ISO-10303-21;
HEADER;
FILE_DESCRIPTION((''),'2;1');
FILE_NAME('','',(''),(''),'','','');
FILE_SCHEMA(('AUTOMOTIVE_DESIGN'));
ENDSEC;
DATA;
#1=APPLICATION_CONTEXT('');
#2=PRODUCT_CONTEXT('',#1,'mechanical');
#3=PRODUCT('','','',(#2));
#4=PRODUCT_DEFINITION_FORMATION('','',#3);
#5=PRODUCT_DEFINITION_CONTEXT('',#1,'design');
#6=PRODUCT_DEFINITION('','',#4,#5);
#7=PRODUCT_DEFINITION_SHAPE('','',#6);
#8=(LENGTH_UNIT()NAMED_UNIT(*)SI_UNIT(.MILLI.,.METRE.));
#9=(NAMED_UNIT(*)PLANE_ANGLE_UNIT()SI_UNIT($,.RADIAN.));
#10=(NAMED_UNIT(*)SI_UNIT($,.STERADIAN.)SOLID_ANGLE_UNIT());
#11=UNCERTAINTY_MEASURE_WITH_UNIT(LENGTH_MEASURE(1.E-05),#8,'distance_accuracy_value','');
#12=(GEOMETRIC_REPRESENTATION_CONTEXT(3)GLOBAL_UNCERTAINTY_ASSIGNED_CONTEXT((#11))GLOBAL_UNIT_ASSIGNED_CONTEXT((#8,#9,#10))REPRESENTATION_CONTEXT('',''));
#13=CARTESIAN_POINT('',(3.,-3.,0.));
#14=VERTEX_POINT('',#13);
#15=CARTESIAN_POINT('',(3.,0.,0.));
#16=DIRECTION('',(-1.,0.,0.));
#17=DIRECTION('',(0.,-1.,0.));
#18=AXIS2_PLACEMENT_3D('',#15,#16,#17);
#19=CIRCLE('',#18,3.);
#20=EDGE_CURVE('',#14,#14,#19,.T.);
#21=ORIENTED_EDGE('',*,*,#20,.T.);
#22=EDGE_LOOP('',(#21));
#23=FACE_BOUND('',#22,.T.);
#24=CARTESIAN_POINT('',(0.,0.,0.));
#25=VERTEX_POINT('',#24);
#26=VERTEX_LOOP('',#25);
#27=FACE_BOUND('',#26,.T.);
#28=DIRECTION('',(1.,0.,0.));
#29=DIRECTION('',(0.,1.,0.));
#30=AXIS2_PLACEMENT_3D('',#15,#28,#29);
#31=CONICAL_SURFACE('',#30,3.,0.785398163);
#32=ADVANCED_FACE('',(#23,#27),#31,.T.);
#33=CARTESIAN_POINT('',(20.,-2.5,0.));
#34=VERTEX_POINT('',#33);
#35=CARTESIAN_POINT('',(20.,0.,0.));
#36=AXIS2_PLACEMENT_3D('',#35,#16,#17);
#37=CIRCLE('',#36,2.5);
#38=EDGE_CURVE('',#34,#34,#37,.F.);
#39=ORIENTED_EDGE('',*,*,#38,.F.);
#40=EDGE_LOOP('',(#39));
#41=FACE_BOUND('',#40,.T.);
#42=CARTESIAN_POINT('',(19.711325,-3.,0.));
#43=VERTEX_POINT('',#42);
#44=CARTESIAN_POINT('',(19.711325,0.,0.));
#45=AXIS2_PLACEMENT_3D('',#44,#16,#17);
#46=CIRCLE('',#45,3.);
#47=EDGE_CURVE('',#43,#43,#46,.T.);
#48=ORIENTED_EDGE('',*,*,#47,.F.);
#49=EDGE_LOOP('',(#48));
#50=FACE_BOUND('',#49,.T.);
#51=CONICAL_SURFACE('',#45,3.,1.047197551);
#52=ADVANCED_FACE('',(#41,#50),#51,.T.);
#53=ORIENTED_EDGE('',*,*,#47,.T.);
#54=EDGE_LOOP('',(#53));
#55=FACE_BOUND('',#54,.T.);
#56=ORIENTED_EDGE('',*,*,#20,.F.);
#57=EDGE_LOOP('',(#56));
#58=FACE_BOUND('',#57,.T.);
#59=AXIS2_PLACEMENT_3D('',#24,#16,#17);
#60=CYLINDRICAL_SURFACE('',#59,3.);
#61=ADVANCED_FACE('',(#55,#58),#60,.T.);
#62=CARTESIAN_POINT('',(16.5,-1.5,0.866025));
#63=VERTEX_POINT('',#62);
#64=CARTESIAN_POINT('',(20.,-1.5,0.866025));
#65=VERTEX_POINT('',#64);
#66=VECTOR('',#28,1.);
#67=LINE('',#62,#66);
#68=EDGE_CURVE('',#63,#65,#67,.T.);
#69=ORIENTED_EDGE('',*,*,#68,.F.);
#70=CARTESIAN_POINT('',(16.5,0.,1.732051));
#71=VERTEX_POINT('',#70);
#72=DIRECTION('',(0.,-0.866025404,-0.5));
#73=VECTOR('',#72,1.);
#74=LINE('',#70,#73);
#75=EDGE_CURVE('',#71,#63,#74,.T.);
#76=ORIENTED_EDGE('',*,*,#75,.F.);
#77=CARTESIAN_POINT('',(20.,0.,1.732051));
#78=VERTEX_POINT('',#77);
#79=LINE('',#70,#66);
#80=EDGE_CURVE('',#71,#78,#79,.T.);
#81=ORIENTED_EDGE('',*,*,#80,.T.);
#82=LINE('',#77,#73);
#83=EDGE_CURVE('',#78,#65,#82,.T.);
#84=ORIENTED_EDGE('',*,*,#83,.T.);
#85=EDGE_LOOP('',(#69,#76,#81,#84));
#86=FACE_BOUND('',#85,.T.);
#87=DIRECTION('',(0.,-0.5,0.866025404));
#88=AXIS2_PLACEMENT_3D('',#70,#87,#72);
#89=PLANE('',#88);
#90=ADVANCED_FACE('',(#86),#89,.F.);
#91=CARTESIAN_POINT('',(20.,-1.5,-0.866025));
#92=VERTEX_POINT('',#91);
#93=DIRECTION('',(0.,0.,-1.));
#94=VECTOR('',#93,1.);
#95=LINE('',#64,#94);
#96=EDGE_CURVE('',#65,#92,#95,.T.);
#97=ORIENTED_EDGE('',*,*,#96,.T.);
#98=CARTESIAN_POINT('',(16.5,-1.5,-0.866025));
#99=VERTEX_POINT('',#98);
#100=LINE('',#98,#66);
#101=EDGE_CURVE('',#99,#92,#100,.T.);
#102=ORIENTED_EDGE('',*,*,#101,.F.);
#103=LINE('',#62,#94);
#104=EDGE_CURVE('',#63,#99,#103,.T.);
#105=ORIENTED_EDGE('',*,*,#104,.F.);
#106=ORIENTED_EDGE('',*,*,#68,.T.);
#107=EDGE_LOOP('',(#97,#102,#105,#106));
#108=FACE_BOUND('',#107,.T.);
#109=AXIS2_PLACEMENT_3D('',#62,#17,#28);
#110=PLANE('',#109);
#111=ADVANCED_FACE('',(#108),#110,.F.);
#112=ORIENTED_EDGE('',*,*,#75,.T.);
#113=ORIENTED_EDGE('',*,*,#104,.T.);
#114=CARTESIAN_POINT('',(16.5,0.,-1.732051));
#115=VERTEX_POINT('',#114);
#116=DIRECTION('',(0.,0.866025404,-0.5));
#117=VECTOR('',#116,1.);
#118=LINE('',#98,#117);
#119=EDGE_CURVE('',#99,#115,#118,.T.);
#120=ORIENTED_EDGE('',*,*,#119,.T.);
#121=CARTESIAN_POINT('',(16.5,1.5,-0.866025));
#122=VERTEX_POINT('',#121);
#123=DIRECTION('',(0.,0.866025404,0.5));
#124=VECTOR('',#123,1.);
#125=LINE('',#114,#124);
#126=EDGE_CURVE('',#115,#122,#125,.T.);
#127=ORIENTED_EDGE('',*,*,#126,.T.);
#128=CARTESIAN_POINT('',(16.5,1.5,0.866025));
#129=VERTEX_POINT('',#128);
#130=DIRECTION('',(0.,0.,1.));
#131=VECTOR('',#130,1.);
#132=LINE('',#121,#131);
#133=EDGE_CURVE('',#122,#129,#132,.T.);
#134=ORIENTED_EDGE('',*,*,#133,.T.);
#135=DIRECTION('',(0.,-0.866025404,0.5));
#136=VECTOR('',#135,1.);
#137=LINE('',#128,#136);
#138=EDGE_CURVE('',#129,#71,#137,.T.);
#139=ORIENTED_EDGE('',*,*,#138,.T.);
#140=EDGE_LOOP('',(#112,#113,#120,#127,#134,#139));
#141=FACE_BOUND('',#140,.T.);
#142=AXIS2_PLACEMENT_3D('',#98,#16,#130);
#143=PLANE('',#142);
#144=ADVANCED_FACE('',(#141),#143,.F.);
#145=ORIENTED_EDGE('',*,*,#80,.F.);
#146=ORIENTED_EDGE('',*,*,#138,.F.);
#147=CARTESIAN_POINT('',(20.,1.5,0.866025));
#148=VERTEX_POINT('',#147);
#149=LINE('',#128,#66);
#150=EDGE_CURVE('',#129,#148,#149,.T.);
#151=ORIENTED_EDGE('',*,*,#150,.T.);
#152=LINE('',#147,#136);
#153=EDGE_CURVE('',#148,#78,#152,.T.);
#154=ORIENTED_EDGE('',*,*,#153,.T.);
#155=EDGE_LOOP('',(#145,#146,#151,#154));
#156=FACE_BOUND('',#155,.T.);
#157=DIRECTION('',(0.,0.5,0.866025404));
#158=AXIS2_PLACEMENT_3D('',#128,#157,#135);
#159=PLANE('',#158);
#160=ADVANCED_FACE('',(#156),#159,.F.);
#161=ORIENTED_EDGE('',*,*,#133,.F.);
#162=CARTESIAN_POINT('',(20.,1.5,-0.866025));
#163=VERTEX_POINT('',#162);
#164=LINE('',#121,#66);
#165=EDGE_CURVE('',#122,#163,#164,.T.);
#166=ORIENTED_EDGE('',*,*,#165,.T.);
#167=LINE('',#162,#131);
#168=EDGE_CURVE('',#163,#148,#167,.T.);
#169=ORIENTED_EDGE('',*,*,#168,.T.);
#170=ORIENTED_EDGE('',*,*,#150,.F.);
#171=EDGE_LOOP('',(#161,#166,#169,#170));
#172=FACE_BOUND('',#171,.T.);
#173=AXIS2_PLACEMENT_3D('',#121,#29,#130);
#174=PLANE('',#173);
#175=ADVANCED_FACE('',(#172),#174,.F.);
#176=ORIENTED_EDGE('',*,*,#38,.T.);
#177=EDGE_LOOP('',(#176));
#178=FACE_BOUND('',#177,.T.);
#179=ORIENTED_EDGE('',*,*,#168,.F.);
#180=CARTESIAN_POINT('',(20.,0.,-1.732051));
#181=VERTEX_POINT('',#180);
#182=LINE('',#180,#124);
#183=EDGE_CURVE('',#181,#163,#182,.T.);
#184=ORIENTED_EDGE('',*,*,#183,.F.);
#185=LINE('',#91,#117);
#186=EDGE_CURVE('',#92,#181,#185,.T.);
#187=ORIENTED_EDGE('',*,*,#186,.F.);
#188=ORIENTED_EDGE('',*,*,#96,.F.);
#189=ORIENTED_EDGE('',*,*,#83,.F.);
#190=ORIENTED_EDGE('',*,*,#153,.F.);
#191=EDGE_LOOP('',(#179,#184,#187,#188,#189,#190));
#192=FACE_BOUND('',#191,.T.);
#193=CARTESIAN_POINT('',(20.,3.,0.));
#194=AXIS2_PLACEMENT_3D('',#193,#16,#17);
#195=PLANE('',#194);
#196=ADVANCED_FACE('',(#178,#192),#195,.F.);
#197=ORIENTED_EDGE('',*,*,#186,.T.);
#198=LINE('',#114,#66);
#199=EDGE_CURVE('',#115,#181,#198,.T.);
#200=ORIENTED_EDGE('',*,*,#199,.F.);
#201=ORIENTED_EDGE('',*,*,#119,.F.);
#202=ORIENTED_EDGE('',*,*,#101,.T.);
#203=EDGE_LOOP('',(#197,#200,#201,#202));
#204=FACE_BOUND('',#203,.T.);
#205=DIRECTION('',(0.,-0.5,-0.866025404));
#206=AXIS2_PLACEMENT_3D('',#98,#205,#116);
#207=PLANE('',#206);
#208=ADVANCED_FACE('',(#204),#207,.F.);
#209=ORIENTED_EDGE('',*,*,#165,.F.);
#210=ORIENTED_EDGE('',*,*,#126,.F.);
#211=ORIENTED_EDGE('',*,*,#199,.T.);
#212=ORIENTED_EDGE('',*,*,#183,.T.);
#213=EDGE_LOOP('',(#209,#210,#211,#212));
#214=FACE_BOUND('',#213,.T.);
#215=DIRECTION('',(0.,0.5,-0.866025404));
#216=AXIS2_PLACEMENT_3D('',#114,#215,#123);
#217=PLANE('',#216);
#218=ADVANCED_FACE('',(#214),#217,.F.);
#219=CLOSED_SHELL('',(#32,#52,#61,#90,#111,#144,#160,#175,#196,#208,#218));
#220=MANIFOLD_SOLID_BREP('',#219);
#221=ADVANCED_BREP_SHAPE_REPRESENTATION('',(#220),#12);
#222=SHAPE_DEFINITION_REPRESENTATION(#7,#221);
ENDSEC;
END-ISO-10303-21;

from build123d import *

# Parameters (mm, degrees)
CUT_EXTRUDE1_DEPTH = 3.5
CHAMFER1_SIZE      = 0.288675135
CHAMFER1_SIZE2     = 0.5


with BuildPart() as part:
    # Sketch1 → Revolve1 (revolve)
    with BuildSketch(Plane.XY, mode=Mode.PRIVATE) as revolve1_sk:
        Polygon((0, 0), (3, 3), (20, 3), (20, 0), align=None)
    revolve(revolve1_sk.sketch.rotate(Axis((0, 0, 0), (1, 0, 0)), 180), axis=Axis((0, 0, 0), (1, 0, 0)))

    # Sketch2 → Cut-Extrude1 (cut)
    with BuildSketch(Plane(origin=(20, 0, 0), x_dir=(0, 0, -1), z_dir=(1, 0, 0))):
        Polygon((1.732050808, 0), (0.866025404, 1.5), (-0.866025404, 1.5), (-1.732050808, 0), (-0.866025404, -1.5), (0.866025404, -1.5), align=None)
    extrude(amount=-CUT_EXTRUDE1_DEPTH, mode=Mode.SUBTRACT)

    # Chamfer1
    chamfer1_edges = [part.edges().sort_by_distance(p)[0] for p in [
        (20, 3, 0),
    ]]
    chamfer1_side = [part.faces().sort_by_distance(p)[0] for p in [
        (11.5, 3, 0),
    ]]
    chamfer(chamfer1_edges, length=CHAMFER1_SIZE, length2=CHAMFER1_SIZE2, reference=chamfer1_side[0])


solid = part.part
